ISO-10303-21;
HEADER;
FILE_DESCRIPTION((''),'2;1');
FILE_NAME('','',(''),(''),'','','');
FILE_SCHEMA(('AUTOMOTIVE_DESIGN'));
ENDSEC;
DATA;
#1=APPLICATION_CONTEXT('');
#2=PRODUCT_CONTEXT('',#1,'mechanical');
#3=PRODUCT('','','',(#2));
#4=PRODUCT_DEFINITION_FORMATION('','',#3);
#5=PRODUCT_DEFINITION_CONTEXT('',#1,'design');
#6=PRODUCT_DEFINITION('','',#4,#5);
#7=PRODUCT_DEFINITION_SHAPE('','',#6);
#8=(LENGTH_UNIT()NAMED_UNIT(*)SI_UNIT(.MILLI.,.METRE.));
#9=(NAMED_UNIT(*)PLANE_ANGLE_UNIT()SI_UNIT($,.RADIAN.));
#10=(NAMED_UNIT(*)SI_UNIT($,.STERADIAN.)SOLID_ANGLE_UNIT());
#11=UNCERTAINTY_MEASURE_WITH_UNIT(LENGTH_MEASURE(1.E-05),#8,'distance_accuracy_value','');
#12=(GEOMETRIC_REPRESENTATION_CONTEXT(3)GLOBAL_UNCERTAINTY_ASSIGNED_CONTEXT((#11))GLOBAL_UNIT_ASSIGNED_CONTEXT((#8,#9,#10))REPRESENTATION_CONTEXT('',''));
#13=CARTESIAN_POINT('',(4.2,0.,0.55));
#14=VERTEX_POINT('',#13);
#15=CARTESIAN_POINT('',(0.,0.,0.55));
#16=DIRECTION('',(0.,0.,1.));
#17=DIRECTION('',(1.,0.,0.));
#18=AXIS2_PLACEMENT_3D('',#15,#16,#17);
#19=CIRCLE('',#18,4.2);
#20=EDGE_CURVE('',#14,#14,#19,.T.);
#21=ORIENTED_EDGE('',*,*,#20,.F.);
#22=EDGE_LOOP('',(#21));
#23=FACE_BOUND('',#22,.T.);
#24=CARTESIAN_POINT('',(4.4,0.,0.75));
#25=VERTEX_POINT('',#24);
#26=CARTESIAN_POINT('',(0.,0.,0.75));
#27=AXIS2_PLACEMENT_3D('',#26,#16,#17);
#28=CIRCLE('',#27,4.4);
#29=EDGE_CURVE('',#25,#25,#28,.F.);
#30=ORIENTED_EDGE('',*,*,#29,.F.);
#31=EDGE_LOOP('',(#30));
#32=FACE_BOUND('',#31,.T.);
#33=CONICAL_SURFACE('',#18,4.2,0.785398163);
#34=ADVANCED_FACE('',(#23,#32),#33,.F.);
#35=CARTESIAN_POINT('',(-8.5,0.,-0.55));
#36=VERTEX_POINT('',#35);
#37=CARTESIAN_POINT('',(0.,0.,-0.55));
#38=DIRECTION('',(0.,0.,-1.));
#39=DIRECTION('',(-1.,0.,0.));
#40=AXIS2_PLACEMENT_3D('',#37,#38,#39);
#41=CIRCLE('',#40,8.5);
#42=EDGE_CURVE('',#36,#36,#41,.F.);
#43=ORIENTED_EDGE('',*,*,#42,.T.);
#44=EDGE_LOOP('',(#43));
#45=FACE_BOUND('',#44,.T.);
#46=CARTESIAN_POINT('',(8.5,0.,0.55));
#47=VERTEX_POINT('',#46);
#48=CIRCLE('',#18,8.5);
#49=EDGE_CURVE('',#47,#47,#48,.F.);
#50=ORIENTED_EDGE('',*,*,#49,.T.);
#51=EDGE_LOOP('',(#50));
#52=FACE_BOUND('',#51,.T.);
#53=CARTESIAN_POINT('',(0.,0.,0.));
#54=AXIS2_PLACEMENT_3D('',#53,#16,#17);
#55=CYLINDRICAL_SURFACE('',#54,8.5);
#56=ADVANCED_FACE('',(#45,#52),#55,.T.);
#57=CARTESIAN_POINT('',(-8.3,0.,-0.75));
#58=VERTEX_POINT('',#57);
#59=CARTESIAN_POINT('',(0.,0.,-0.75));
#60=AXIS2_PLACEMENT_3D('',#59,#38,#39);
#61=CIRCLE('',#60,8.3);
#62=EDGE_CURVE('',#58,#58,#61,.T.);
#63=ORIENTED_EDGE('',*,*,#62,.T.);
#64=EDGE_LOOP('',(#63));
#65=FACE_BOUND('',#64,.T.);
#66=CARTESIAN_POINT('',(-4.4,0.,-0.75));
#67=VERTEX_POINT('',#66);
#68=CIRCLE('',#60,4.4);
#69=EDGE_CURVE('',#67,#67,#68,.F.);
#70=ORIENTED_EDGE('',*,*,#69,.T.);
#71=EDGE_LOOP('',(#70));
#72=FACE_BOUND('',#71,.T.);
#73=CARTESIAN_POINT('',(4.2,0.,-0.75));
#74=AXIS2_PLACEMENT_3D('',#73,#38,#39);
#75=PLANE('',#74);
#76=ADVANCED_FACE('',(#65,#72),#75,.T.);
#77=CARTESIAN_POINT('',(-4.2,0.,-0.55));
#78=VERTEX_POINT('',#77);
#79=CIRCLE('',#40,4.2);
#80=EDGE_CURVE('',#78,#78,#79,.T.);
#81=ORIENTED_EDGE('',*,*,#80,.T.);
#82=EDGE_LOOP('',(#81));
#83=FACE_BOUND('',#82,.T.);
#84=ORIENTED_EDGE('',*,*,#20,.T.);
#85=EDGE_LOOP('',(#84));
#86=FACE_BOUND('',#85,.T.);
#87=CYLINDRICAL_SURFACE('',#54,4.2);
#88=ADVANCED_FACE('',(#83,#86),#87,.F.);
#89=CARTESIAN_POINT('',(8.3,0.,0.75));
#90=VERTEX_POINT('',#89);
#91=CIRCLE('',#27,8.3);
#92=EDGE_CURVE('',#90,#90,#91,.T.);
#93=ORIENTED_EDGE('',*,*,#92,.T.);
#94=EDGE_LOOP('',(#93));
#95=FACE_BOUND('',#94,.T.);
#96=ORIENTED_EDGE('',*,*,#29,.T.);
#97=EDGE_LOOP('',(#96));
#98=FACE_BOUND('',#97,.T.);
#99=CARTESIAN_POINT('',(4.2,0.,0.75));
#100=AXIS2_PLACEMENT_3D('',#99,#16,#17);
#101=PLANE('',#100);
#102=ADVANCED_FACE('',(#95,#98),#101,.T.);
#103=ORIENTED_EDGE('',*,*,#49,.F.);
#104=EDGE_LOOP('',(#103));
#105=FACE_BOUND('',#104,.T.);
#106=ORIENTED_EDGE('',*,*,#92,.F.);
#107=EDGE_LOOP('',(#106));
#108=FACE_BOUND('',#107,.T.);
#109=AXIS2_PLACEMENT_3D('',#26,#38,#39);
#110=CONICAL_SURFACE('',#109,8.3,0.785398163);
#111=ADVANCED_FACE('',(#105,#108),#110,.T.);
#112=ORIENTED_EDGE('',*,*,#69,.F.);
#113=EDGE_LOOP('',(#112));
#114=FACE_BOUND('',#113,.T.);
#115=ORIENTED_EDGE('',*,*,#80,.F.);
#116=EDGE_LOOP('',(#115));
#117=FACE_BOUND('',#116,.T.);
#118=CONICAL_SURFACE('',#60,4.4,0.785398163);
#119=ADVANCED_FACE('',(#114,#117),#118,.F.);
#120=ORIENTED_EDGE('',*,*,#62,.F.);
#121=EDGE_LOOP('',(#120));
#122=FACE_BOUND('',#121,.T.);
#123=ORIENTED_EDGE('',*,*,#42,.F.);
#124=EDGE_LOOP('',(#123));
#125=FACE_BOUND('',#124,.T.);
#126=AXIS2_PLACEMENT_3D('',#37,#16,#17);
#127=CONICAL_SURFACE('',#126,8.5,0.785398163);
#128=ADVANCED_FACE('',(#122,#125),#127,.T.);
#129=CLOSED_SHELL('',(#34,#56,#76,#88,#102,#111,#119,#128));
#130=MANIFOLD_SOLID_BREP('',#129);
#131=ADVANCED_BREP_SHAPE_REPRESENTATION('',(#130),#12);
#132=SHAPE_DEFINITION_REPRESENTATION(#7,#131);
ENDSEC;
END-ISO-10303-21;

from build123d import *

# Parameters (mm, degrees)
SKETCH1_W     = 4.3
SKETCH1_H     = 1.5
CHAMFER1_SIZE = 0.2


with BuildPart() as part:
    # Sketch1 → Revolve1 (revolve)
    with BuildSketch(Plane(origin=(0, 0, 0), x_dir=(1, 0, 0), z_dir=(0, 1, 0))):
        with Locations((6.35, 0)):
            Rectangle(SKETCH1_W, SKETCH1_H)
    revolve(axis=Axis((0, 0, 0), (0, 0, -1)))

    # Chamfer1
    chamfer1_edges = [part.edges().sort_by_distance(p)[0] for p in [
        (-4.2, 0, -0.75),
        (-8.5, 0, -0.75),
        (-8.5, 0, 0.75),
        (-4.2, 0, 0.75),
    ]]
    chamfer(chamfer1_edges, length=CHAMFER1_SIZE)


solid = part.part
